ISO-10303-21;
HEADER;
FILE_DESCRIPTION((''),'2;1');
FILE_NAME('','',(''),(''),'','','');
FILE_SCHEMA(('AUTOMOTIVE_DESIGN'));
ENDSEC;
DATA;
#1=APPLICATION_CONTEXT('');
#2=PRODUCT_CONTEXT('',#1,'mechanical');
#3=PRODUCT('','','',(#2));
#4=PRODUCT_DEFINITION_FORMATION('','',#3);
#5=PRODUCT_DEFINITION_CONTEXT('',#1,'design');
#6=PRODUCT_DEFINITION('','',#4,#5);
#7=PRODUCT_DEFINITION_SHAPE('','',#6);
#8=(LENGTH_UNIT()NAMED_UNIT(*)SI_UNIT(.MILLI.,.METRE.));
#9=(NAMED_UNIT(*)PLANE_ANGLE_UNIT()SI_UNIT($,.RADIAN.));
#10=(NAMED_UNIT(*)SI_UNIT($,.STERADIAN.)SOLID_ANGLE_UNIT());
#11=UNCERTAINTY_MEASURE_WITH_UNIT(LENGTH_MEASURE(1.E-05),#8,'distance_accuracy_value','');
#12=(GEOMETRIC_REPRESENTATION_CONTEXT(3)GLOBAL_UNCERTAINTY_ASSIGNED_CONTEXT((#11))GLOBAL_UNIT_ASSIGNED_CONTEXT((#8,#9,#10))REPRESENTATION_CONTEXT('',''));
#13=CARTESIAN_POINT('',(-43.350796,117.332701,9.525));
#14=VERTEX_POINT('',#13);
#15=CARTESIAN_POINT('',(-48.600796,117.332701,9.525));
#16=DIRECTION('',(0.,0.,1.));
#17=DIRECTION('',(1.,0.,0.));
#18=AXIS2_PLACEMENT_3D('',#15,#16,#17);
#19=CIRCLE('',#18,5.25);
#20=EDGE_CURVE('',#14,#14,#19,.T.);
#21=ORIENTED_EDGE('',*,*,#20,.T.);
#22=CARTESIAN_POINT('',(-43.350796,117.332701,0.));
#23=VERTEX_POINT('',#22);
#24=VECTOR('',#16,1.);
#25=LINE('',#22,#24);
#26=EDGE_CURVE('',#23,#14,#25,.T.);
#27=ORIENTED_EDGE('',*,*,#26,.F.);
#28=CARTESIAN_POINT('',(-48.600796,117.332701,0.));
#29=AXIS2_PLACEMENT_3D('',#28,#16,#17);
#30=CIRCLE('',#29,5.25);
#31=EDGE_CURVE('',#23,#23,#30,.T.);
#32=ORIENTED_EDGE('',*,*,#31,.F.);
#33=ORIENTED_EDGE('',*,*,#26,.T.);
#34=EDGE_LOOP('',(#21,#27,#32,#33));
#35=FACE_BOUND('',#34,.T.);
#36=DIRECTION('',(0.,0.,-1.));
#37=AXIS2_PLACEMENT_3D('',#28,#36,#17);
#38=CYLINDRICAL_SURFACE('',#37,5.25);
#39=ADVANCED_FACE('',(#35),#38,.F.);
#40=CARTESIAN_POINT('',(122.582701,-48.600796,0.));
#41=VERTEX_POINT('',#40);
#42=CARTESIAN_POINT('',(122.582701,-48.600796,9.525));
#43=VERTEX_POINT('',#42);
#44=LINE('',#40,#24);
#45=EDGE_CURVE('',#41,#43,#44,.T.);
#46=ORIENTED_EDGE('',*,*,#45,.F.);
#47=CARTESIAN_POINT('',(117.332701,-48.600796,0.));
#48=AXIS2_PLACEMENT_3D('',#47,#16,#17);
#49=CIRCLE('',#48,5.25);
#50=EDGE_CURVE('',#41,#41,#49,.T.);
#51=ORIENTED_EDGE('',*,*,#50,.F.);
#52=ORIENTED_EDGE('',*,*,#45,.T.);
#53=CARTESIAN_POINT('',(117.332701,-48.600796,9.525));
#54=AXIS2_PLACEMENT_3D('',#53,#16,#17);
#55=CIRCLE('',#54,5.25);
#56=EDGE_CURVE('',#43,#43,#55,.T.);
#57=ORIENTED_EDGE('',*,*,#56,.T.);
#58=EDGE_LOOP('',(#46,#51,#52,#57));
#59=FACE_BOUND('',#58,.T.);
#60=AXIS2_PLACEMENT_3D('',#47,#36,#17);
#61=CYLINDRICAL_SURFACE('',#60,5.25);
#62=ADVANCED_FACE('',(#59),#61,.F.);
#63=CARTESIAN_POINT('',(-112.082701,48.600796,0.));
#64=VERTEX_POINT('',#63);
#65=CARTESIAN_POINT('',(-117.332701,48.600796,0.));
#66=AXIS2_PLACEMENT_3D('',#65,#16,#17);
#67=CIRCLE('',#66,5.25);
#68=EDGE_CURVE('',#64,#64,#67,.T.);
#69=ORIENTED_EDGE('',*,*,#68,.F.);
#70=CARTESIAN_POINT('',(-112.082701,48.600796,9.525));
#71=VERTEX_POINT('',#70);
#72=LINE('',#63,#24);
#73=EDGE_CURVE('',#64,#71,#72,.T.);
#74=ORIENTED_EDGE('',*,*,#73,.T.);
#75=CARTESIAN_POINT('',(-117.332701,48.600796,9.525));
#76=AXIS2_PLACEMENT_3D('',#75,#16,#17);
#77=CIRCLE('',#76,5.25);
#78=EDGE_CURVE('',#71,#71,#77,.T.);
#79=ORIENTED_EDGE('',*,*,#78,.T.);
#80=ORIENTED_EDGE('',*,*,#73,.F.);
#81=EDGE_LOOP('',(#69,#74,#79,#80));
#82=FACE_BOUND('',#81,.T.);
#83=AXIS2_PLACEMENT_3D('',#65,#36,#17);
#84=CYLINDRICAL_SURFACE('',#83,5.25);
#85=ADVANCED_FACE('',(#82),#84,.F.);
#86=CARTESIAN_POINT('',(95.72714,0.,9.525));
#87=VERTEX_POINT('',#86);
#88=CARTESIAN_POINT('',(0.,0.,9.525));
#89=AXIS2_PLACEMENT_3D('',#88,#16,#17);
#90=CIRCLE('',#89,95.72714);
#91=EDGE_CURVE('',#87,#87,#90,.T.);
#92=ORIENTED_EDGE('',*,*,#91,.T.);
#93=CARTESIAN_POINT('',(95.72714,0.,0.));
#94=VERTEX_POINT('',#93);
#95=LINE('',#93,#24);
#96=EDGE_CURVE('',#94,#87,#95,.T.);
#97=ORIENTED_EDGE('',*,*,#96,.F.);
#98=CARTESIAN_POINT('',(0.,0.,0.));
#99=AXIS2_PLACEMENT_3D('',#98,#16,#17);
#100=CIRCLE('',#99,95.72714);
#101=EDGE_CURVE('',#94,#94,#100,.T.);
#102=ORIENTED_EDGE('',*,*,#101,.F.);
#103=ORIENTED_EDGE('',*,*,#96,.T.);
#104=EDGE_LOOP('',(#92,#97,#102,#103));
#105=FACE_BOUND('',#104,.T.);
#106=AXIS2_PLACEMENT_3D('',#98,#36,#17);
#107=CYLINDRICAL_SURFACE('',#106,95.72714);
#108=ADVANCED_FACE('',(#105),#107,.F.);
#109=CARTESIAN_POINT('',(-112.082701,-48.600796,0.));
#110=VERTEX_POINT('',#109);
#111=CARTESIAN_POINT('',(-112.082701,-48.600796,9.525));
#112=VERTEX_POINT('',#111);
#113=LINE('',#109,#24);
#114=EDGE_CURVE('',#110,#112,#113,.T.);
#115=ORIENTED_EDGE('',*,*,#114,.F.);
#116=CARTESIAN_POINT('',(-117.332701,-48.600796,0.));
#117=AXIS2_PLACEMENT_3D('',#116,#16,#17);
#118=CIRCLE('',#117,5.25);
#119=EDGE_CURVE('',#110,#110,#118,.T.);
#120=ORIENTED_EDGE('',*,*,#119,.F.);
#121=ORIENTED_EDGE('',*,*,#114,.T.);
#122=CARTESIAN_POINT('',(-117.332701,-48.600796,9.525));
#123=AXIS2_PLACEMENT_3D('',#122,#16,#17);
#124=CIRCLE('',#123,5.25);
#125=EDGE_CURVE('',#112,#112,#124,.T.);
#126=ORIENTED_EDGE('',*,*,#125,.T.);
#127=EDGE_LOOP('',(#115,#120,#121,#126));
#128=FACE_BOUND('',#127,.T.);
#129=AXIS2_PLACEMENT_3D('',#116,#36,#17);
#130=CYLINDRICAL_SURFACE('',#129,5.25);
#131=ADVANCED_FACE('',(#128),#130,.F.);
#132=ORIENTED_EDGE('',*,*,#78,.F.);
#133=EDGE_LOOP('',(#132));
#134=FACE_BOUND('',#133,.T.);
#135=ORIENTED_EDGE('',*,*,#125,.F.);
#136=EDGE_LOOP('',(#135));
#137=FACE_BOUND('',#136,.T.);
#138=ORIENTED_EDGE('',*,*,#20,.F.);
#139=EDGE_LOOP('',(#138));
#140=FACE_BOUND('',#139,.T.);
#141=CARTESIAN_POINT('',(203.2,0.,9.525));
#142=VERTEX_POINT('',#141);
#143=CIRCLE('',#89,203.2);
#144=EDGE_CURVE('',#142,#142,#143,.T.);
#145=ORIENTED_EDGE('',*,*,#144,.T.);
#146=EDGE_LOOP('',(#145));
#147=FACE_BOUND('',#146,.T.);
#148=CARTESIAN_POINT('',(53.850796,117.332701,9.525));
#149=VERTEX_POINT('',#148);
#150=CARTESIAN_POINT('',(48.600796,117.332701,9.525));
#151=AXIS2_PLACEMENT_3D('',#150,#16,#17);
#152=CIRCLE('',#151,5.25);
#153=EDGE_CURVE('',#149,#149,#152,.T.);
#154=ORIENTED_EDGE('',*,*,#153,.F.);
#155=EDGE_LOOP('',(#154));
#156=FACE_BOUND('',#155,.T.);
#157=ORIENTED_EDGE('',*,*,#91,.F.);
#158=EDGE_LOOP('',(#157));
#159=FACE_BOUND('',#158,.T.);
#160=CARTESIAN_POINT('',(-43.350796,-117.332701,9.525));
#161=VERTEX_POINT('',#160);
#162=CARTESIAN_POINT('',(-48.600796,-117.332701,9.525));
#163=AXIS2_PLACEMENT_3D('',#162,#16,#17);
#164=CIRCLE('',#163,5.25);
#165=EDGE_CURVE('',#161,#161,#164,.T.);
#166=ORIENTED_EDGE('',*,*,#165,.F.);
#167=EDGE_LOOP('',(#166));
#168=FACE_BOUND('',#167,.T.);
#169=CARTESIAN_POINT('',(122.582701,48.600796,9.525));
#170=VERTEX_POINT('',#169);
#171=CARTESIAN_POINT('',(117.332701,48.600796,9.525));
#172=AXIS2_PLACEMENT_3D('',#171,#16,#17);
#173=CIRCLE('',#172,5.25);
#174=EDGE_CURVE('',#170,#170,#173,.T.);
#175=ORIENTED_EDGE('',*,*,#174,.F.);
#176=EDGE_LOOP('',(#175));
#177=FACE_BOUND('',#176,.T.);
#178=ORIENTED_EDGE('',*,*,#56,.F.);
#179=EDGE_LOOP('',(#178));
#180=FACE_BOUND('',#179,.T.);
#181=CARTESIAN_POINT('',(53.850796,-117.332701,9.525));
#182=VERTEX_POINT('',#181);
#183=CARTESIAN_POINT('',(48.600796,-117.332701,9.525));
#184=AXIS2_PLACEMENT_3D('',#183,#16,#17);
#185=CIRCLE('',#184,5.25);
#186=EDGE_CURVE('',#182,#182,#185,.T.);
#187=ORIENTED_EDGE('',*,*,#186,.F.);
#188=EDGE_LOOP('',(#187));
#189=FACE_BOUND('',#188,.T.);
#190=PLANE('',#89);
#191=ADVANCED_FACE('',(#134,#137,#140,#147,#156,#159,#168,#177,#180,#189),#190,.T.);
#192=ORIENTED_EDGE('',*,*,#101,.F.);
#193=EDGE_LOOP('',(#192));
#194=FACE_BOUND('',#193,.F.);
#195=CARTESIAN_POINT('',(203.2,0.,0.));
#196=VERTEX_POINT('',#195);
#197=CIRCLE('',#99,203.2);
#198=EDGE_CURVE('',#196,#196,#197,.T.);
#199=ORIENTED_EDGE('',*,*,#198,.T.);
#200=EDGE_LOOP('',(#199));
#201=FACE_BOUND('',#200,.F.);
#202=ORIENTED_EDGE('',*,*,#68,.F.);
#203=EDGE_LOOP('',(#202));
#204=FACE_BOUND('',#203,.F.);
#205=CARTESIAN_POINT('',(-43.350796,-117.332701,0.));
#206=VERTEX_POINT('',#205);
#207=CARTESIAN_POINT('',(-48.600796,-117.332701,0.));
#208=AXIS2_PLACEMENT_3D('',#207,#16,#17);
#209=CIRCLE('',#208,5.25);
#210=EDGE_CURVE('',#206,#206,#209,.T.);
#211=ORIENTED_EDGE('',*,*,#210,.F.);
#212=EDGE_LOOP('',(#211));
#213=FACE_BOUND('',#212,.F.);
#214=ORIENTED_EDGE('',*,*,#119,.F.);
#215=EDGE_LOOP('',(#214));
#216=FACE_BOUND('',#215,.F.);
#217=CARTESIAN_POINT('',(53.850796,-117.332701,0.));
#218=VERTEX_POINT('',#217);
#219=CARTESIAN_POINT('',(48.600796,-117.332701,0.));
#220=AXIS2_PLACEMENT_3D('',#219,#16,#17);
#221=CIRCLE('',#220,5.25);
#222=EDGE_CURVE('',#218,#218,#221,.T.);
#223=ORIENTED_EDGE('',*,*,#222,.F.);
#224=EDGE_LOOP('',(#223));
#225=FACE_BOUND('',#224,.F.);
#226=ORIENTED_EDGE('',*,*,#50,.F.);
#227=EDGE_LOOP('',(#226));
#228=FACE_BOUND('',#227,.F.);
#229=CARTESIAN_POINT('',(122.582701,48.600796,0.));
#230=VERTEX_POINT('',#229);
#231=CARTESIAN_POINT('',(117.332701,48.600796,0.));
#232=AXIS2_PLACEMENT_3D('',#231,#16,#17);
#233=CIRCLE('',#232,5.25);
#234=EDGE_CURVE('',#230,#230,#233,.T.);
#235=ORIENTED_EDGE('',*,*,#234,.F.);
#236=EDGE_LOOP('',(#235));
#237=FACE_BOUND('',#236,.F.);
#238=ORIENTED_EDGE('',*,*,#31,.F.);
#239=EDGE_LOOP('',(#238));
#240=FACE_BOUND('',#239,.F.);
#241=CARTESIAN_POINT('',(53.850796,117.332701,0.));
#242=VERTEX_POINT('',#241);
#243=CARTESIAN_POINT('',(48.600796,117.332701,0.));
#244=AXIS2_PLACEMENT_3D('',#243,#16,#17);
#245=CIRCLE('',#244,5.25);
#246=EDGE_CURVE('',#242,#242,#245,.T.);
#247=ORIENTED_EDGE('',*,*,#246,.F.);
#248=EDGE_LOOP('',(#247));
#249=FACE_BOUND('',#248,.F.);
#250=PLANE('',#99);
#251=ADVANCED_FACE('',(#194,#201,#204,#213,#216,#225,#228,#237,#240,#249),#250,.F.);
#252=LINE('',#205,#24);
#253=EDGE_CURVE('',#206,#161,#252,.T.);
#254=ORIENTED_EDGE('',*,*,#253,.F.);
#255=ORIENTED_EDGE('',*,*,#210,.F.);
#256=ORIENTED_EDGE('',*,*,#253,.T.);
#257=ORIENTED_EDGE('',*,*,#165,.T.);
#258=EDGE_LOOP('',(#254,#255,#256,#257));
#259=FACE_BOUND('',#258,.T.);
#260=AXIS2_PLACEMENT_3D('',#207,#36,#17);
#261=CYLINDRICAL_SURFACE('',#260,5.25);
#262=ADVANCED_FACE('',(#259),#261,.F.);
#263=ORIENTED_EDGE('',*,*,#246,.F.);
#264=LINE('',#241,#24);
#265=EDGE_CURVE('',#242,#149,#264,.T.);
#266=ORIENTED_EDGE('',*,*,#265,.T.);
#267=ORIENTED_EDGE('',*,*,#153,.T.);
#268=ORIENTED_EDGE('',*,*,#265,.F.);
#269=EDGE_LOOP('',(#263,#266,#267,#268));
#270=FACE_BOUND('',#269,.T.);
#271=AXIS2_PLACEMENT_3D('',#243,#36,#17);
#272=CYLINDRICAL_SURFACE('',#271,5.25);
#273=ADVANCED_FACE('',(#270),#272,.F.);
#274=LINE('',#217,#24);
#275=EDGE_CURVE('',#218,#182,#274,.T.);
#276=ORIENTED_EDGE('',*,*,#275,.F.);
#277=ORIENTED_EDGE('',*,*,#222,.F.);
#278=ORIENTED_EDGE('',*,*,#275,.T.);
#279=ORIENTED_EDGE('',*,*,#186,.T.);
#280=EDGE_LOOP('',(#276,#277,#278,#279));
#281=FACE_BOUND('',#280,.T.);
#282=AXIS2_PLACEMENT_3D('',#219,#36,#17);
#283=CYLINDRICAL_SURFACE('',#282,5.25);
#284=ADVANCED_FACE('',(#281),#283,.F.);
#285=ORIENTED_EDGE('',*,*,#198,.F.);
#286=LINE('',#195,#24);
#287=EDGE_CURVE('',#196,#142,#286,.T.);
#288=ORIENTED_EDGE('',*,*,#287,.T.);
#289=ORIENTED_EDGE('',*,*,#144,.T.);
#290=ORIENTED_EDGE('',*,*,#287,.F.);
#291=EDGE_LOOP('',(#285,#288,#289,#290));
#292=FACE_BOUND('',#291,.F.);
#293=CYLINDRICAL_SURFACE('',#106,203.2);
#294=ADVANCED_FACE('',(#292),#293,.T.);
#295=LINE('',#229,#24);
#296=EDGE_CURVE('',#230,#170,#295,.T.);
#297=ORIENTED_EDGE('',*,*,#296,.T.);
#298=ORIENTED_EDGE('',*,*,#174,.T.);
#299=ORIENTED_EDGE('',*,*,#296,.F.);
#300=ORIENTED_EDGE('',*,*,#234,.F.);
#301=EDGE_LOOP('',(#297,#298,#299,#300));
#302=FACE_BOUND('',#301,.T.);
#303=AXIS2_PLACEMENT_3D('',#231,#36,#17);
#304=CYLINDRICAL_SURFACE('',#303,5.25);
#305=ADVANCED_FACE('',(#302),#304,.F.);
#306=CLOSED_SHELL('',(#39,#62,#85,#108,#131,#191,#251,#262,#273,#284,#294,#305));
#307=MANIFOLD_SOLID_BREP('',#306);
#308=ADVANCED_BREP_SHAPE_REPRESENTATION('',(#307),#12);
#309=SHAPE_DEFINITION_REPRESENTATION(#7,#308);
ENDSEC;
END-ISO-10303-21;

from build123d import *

# Parameters (mm, degrees)
SKETCH_R   = 203.2
SKETCH_R_2 = 95.72714
SKETCH_R_3 = 5.25
PAD_DEPTH  = 9.525


with BuildPart() as part:
    # Sketch → Pad (new body)
    with BuildSketch(Plane.XY):
        Circle(SKETCH_R)
        Circle(SKETCH_R_2, mode=Mode.SUBTRACT)
        with Locations((-117.332701, 48.600796)):
            Circle(SKETCH_R_3, mode=Mode.SUBTRACT)
        with Locations((-117.332701, -48.600796)):
            Circle(SKETCH_R_3, mode=Mode.SUBTRACT)
        with Locations((-48.600796, -117.332701)):
            Circle(SKETCH_R_3, mode=Mode.SUBTRACT)
        with Locations((-48.600796, 117.332701)):
            Circle(SKETCH_R_3, mode=Mode.SUBTRACT)
        with Locations((48.600796, 117.332701)):
            Circle(SKETCH_R_3, mode=Mode.SUBTRACT)
        with Locations((117.332701, 48.600796)):
            Circle(SKETCH_R_3, mode=Mode.SUBTRACT)
        with Locations((48.600796, -117.332701)):
            Circle(SKETCH_R_3, mode=Mode.SUBTRACT)
        with Locations((117.332701, -48.600796)):
            Circle(SKETCH_R_3, mode=Mode.SUBTRACT)
    extrude(amount=PAD_DEPTH)


solid = part.part
